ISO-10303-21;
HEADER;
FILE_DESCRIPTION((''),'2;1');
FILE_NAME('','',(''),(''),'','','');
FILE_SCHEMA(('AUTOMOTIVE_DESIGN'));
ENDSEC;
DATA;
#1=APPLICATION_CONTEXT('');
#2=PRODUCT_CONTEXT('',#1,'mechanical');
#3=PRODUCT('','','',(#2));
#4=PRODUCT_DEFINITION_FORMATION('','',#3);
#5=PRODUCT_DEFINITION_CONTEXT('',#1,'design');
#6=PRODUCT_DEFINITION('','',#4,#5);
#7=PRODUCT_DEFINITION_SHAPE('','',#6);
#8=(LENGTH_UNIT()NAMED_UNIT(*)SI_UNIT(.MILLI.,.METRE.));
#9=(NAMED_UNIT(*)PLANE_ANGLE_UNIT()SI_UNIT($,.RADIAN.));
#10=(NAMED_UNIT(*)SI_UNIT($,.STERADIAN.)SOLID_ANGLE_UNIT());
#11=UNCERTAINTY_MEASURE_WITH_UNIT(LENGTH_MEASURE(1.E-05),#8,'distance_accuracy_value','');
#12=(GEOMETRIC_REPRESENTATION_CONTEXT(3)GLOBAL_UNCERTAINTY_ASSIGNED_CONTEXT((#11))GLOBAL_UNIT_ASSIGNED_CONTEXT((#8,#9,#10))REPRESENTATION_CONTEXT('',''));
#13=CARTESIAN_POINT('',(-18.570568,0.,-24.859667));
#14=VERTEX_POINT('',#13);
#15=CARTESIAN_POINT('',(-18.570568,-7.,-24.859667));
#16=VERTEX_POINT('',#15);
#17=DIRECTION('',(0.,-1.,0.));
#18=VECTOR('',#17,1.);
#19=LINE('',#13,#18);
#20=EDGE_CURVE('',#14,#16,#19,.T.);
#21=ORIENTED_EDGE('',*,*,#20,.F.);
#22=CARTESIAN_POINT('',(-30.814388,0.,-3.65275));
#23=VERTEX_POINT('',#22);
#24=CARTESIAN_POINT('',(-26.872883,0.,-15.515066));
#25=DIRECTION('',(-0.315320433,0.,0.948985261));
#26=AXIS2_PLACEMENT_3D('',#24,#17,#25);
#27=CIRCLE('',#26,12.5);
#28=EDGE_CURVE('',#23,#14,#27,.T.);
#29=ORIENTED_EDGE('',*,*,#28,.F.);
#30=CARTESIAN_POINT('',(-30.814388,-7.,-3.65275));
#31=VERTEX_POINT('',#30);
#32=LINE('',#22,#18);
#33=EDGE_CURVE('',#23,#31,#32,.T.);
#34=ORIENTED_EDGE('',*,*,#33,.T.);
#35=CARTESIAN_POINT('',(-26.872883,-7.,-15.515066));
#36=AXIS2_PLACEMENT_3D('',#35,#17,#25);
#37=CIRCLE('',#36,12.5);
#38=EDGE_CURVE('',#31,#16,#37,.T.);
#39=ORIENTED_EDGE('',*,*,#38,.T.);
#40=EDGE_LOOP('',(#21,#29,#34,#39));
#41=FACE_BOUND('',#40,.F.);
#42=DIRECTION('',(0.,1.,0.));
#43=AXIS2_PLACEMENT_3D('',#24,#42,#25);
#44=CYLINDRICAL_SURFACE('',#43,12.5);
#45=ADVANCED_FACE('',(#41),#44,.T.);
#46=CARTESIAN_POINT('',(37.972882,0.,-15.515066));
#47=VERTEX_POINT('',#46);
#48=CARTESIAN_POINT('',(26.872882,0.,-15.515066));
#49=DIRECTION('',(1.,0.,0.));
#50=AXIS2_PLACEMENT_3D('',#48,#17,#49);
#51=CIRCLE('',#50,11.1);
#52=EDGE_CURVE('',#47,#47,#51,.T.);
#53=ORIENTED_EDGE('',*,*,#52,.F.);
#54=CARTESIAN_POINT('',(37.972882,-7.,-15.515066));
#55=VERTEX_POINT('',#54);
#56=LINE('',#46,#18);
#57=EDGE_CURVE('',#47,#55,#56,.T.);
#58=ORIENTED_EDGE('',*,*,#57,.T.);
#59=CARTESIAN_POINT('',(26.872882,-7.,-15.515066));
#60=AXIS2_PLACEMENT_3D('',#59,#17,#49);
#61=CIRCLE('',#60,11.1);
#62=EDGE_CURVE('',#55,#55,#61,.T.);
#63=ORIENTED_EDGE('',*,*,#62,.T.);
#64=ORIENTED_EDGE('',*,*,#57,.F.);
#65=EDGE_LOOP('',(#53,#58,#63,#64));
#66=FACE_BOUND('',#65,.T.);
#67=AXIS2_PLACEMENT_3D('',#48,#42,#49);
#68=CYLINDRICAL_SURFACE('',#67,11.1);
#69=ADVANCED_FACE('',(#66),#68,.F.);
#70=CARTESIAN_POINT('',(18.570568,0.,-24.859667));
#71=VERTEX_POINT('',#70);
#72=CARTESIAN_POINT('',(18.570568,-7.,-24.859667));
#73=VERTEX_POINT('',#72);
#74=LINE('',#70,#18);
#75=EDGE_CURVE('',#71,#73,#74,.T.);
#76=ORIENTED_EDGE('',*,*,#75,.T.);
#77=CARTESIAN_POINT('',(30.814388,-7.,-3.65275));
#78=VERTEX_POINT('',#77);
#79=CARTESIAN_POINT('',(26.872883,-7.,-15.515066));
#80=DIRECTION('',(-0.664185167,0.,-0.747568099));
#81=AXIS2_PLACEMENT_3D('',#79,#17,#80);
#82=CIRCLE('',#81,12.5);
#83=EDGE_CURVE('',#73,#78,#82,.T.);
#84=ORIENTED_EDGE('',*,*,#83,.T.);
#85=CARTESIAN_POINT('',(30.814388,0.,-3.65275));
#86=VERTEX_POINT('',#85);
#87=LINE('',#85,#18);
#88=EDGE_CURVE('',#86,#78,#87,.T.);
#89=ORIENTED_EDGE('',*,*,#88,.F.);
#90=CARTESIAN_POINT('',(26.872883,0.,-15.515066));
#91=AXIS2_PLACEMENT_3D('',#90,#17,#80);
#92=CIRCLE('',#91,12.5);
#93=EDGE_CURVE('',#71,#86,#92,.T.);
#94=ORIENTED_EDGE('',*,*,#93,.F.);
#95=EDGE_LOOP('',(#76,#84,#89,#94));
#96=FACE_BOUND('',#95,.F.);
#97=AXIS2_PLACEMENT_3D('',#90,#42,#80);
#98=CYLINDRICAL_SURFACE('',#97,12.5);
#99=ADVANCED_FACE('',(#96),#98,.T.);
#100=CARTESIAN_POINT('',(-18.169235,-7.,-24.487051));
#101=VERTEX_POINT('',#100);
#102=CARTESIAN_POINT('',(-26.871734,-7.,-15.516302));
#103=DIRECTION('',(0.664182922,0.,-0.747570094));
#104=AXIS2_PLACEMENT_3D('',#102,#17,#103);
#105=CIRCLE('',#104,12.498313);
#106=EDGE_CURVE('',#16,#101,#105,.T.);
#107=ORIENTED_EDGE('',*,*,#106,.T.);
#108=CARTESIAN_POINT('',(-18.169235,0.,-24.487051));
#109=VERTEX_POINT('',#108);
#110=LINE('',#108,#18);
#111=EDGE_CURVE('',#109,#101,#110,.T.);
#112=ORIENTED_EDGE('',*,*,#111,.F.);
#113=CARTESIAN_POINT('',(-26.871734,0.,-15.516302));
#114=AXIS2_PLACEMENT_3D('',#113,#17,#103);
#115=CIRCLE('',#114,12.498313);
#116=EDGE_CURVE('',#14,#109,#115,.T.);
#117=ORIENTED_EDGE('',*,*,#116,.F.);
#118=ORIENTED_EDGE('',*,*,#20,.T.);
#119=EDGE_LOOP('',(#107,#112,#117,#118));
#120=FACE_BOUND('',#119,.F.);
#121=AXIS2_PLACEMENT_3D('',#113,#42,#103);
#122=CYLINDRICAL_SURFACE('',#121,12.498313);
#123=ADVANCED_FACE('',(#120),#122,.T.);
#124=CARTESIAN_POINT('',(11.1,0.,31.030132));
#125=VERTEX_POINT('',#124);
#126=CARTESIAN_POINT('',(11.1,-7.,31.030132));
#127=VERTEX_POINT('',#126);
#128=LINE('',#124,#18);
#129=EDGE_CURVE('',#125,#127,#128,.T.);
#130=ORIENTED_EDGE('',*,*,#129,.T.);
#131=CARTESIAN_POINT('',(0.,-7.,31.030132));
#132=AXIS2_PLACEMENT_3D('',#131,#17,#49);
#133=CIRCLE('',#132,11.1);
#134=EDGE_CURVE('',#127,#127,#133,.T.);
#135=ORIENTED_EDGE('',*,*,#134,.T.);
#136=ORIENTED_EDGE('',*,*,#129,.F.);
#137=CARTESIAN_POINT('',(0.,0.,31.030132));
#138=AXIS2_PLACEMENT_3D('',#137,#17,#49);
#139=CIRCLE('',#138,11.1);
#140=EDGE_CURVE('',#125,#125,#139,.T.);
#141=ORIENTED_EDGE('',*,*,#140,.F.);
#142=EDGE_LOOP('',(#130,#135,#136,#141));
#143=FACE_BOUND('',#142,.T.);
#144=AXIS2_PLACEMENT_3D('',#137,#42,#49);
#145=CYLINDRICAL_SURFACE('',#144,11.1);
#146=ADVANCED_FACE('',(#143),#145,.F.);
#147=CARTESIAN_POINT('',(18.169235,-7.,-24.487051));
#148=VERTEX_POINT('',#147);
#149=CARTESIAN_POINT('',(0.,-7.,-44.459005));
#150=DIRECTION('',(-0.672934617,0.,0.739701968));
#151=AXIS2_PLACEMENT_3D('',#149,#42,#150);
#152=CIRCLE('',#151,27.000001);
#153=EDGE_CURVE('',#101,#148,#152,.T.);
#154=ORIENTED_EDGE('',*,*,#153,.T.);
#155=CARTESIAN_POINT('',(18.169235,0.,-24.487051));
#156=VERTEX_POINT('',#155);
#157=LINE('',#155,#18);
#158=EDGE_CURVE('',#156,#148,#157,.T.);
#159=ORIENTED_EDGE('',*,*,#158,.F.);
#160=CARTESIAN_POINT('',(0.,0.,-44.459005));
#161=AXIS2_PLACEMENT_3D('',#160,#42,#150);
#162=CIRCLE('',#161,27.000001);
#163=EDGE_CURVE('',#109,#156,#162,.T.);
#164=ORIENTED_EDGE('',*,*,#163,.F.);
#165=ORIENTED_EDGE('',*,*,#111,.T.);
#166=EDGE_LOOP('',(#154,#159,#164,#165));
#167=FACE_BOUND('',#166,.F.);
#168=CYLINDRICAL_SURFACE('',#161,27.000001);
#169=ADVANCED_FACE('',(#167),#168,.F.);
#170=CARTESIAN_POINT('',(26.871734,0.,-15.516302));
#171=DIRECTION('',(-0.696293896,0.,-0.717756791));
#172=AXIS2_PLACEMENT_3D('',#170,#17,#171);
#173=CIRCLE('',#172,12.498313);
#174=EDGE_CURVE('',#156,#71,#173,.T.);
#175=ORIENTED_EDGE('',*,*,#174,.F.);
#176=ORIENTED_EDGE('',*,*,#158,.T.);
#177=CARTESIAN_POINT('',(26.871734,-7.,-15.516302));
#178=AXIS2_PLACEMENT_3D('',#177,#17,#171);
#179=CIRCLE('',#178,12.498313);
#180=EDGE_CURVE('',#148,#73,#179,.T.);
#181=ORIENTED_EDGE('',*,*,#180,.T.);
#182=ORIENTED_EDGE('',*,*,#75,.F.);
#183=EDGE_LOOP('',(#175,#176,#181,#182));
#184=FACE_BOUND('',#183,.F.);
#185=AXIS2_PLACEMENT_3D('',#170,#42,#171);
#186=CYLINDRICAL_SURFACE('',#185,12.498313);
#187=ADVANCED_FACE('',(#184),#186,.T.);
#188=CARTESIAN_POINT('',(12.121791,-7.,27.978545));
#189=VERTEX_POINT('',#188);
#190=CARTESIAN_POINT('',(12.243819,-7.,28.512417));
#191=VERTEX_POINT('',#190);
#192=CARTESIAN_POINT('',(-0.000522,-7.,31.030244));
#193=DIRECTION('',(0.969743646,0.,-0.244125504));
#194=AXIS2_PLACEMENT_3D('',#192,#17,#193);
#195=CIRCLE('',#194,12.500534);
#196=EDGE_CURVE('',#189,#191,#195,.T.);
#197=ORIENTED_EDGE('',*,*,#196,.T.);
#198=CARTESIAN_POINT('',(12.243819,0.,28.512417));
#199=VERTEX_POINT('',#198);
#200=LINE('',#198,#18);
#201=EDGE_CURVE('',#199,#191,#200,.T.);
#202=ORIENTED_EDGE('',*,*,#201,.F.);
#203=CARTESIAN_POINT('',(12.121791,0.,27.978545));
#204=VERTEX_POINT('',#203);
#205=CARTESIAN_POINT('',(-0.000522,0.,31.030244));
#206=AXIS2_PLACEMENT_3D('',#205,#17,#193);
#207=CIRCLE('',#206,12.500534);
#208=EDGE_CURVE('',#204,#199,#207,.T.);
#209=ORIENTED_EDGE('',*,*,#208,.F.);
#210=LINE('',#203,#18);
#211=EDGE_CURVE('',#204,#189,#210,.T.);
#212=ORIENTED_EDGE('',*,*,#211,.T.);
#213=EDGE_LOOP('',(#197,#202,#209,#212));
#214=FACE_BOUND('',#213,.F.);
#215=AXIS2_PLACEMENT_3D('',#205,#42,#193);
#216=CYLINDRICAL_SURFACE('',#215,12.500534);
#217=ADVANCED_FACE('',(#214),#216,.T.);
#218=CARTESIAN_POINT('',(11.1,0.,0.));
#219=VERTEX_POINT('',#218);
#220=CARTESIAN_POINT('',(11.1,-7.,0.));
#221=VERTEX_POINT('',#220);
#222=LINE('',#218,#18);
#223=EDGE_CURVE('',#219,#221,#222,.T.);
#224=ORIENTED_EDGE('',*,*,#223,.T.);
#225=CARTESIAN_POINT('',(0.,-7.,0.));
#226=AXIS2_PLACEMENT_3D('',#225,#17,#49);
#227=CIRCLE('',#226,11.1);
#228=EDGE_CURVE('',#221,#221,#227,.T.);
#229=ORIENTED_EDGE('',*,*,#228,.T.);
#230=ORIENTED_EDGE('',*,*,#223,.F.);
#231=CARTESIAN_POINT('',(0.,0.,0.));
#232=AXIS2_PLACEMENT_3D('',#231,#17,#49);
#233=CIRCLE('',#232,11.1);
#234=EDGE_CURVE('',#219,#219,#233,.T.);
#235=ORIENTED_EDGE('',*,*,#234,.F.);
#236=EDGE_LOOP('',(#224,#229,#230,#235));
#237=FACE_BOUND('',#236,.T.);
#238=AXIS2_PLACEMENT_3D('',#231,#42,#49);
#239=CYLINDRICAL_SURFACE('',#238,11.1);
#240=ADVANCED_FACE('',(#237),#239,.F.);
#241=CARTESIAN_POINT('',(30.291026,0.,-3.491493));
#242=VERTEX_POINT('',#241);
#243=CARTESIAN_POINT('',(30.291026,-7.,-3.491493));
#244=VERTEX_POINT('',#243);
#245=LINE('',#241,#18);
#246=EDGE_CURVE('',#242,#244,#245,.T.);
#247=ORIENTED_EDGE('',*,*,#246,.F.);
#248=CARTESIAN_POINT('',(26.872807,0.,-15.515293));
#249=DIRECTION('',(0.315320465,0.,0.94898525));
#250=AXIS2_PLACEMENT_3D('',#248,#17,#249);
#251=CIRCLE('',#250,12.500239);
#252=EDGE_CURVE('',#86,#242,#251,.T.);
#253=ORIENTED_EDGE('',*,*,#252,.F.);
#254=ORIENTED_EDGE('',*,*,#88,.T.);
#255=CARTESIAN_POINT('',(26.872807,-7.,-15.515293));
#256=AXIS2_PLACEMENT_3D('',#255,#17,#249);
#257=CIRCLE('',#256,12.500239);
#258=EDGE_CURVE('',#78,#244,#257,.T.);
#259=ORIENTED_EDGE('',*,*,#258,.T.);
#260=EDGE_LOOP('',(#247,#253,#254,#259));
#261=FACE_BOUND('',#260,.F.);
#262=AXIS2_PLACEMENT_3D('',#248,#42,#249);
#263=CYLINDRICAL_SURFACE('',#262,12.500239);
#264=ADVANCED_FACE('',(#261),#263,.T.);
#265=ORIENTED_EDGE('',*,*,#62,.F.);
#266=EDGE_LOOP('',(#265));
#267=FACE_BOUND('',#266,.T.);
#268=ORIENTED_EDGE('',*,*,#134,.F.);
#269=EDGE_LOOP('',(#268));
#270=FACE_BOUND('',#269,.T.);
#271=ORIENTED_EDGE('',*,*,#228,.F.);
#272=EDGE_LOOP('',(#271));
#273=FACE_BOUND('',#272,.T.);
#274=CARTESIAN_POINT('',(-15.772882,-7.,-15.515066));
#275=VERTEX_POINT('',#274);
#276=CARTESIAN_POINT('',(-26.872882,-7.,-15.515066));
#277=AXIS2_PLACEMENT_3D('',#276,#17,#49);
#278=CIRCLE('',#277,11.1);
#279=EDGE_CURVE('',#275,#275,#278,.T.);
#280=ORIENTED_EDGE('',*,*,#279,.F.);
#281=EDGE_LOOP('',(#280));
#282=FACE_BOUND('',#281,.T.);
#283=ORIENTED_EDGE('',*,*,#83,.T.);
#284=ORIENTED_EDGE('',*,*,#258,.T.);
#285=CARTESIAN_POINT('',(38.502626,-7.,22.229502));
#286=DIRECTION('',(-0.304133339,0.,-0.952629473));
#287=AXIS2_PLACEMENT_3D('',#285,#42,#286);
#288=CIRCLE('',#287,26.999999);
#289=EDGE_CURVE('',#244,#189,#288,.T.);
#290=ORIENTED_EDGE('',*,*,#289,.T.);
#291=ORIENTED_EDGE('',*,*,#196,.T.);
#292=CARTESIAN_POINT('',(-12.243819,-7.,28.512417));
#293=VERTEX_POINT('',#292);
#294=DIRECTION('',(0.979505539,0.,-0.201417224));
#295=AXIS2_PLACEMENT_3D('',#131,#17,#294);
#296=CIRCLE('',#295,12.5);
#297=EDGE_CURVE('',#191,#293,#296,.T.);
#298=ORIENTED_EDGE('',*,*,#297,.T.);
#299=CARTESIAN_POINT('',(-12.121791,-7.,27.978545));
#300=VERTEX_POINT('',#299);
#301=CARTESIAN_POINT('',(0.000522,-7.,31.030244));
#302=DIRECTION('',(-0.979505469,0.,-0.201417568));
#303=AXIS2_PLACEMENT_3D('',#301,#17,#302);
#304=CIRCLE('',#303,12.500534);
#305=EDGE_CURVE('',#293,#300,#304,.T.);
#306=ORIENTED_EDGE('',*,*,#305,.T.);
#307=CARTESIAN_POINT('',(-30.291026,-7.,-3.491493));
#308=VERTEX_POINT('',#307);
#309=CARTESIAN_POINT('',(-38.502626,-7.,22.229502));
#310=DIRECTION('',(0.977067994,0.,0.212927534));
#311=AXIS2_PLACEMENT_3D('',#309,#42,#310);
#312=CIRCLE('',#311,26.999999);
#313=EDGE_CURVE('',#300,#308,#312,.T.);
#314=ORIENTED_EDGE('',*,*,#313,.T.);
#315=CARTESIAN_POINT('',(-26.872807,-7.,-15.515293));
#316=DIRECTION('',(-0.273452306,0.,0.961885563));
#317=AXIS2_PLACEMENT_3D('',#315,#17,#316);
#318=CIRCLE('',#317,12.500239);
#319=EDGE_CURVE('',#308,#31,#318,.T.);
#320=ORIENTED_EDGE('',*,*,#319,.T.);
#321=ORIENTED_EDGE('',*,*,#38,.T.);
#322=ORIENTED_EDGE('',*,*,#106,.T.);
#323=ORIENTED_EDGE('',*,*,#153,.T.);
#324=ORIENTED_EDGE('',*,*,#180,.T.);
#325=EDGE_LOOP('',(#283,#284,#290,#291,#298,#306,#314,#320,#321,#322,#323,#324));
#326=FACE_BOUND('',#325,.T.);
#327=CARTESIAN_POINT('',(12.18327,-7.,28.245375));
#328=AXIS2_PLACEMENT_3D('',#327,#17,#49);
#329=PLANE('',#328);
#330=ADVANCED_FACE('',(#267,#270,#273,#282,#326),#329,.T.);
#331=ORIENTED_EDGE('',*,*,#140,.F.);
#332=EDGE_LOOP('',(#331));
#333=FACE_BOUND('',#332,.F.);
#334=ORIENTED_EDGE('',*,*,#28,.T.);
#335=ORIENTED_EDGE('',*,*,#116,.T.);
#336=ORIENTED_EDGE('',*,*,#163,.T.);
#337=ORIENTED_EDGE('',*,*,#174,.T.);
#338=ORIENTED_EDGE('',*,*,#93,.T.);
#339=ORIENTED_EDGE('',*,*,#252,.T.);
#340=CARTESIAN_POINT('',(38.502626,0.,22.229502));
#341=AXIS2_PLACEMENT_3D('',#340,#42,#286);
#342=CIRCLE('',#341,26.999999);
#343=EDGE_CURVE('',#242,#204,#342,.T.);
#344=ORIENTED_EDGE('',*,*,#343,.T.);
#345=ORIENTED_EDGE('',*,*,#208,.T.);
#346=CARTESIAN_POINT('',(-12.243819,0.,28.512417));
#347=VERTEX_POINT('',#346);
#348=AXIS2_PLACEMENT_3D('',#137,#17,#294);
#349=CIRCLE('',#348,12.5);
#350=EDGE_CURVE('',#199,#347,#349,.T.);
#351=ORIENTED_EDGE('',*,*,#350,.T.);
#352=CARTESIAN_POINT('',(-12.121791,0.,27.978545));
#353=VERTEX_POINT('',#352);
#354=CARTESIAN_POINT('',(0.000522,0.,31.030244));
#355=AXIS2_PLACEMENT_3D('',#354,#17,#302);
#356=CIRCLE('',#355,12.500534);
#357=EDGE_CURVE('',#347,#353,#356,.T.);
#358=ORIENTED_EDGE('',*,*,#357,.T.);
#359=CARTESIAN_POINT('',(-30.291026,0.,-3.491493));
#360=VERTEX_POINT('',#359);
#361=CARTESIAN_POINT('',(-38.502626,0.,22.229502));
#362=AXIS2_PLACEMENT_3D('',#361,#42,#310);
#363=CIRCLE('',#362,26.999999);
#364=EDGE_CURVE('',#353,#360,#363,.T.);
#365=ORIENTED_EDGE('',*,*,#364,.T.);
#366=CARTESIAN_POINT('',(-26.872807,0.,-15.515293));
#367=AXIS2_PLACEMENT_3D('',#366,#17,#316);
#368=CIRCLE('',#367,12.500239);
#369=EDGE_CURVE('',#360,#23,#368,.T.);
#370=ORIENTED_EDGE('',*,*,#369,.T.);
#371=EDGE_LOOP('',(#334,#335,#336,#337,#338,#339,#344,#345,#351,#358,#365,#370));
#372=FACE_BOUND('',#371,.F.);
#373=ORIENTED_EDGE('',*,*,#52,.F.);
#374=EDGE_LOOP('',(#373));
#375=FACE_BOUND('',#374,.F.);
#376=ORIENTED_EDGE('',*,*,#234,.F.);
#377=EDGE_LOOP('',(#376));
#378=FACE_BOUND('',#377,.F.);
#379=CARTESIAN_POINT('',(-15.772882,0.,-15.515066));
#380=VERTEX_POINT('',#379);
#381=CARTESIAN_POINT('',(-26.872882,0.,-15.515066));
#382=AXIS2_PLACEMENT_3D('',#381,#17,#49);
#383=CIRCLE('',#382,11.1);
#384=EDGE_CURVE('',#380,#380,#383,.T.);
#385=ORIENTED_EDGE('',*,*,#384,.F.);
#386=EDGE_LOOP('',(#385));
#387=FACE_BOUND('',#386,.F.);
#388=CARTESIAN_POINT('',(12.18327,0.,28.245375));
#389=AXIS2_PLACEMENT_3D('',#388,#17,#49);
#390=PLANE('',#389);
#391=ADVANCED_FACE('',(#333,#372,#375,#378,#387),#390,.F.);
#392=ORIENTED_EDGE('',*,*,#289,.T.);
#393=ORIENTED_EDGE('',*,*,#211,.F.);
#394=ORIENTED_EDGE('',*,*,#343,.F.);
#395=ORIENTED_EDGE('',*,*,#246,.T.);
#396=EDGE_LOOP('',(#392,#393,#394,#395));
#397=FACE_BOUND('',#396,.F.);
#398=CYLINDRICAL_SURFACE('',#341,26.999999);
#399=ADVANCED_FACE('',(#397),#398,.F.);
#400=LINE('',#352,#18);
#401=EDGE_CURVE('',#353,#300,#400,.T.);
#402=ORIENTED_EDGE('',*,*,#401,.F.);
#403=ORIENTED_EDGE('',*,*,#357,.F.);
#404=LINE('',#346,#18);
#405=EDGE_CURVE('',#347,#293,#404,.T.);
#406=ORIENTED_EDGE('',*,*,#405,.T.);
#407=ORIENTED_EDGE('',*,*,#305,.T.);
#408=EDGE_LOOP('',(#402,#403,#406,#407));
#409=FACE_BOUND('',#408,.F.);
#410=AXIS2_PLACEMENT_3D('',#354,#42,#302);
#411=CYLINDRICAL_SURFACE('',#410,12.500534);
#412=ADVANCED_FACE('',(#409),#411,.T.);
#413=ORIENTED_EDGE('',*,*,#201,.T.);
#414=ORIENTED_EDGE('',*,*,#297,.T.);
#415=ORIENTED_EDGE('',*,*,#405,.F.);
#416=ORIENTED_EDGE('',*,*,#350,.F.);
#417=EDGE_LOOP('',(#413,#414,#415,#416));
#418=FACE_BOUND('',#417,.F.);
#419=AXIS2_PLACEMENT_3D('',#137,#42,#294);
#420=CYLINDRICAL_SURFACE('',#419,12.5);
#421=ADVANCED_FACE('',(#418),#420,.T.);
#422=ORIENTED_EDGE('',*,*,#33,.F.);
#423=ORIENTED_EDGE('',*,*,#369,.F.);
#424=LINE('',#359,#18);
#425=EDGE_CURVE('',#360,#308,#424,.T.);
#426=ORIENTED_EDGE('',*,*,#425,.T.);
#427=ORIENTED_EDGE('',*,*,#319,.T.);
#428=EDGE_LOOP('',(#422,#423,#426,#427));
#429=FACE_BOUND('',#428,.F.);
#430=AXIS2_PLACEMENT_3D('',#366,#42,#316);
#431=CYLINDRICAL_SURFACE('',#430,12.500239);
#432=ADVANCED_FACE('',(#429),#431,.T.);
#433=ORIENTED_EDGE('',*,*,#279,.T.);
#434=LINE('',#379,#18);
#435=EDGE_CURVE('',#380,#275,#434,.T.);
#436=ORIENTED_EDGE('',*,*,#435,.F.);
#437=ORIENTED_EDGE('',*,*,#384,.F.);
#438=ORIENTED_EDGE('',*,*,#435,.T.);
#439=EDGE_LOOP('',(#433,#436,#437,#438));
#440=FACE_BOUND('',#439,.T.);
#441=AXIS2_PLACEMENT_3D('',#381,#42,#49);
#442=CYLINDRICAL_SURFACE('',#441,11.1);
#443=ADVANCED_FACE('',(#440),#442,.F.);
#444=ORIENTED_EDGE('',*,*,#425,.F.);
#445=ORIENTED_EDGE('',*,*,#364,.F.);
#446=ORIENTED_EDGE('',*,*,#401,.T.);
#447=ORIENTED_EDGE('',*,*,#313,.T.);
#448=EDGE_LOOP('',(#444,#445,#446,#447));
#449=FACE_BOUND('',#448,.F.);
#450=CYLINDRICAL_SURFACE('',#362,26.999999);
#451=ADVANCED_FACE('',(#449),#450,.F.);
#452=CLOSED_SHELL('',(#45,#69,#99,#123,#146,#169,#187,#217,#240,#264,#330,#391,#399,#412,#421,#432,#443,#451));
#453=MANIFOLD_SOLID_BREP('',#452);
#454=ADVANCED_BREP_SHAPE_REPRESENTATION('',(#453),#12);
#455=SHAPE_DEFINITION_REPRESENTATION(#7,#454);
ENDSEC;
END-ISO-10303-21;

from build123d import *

# Parameters (mm, degrees)
F0_R     = 11.1
F1_DEPTH = 7


with BuildPart() as f1:
    # F0 (on Front) → F1 (new body)
    with BuildSketch(Plane.XZ):
        with BuildLine():
            ThreePointArc((12.243819, 28.512417), (12.181452, 28.245791), (12.121791, 27.978545))
            ThreePointArc((12.121791, 27.978545), (12.185729, 28.244813), (12.243819, 28.512417))
        make_face()
        with BuildLine():
            ThreePointArc((30.291026, -3.491493), (15.119941, 8.729502), (12.121791, 27.978545))
            ThreePointArc((12.121791, 27.978545), (12.181452, 28.245791), (12.243819, 28.512417))
            ThreePointArc((12.243819, 28.512417), (0, 43.530132), (-12.243819, 28.512417))
            ThreePointArc((-12.243819, 28.512417), (-12.181452, 28.245791), (-12.121791, 27.978545))
            ThreePointArc((-12.121791, 27.978545), (-15.119941, 8.729502), (-30.291026, -3.491493))
            ThreePointArc((-30.291026, -3.491493), (-30.552298, -3.573449), (-30.814388, -3.65275))
            ThreePointArc((-30.814388, -3.65275), (-37.6982, -21.765066), (-18.570568, -24.859667))
            ThreePointArc((-18.570568, -24.859667), (-18.370846, -24.672342), (-18.169235, -24.487051))
            ThreePointArc((-18.169235, -24.487051), (0, -17.459004), (18.169235, -24.487051))
            ThreePointArc((18.169235, -24.487051), (18.370846, -24.672342), (18.570568, -24.859667))
            ThreePointArc((18.570568, -24.859667), (37.6982, -21.765066), (30.814388, -3.65275))
            ThreePointArc((30.814388, -3.65275), (30.552298, -3.573449), (30.291026, -3.491493))
        make_face()
        with Locations((-26.872882, -15.515066)):
            Circle(F0_R, mode=Mode.SUBTRACT)
        with Locations((26.872882, -15.515066)):
            Circle(F0_R, mode=Mode.SUBTRACT)
        Circle(F0_R, mode=Mode.SUBTRACT)
        with Locations((0, 31.030132)):
            Circle(F0_R, mode=Mode.SUBTRACT)
        with BuildLine():
            ThreePointArc((30.814388, -3.65275), (30.55359, -3.569255), (30.291026, -3.491493))
            ThreePointArc((30.291026, -3.491493), (30.552298, -3.573449), (30.814388, -3.65275))
        make_face()
        with BuildLine():
            ThreePointArc((-12.121791, 27.978545), (-12.181452, 28.245791), (-12.243819, 28.512417))
            ThreePointArc((-12.243819, 28.512417), (-12.185729, 28.244813), (-12.121791, 27.978545))
        make_face()
        with BuildLine():
            ThreePointArc((18.169235, -24.487051), (18.367861, -24.675558), (18.570568, -24.859667))
            ThreePointArc((18.570568, -24.859667), (18.370846, -24.672342), (18.169235, -24.487051))
        make_face()
        with BuildLine():
            ThreePointArc((-30.814388, -3.65275), (-30.552298, -3.573449), (-30.291026, -3.491493))
            ThreePointArc((-30.291026, -3.491493), (-30.55359, -3.569255), (-30.814388, -3.65275))
        make_face()
        with BuildLine():
            ThreePointArc((-18.570568, -24.859667), (-18.367861, -24.675558), (-18.169235, -24.487051))
            ThreePointArc((-18.169235, -24.487051), (-18.370846, -24.672342), (-18.570568, -24.859667))
        make_face()
    extrude(amount=F1_DEPTH)


solid = f1.part
